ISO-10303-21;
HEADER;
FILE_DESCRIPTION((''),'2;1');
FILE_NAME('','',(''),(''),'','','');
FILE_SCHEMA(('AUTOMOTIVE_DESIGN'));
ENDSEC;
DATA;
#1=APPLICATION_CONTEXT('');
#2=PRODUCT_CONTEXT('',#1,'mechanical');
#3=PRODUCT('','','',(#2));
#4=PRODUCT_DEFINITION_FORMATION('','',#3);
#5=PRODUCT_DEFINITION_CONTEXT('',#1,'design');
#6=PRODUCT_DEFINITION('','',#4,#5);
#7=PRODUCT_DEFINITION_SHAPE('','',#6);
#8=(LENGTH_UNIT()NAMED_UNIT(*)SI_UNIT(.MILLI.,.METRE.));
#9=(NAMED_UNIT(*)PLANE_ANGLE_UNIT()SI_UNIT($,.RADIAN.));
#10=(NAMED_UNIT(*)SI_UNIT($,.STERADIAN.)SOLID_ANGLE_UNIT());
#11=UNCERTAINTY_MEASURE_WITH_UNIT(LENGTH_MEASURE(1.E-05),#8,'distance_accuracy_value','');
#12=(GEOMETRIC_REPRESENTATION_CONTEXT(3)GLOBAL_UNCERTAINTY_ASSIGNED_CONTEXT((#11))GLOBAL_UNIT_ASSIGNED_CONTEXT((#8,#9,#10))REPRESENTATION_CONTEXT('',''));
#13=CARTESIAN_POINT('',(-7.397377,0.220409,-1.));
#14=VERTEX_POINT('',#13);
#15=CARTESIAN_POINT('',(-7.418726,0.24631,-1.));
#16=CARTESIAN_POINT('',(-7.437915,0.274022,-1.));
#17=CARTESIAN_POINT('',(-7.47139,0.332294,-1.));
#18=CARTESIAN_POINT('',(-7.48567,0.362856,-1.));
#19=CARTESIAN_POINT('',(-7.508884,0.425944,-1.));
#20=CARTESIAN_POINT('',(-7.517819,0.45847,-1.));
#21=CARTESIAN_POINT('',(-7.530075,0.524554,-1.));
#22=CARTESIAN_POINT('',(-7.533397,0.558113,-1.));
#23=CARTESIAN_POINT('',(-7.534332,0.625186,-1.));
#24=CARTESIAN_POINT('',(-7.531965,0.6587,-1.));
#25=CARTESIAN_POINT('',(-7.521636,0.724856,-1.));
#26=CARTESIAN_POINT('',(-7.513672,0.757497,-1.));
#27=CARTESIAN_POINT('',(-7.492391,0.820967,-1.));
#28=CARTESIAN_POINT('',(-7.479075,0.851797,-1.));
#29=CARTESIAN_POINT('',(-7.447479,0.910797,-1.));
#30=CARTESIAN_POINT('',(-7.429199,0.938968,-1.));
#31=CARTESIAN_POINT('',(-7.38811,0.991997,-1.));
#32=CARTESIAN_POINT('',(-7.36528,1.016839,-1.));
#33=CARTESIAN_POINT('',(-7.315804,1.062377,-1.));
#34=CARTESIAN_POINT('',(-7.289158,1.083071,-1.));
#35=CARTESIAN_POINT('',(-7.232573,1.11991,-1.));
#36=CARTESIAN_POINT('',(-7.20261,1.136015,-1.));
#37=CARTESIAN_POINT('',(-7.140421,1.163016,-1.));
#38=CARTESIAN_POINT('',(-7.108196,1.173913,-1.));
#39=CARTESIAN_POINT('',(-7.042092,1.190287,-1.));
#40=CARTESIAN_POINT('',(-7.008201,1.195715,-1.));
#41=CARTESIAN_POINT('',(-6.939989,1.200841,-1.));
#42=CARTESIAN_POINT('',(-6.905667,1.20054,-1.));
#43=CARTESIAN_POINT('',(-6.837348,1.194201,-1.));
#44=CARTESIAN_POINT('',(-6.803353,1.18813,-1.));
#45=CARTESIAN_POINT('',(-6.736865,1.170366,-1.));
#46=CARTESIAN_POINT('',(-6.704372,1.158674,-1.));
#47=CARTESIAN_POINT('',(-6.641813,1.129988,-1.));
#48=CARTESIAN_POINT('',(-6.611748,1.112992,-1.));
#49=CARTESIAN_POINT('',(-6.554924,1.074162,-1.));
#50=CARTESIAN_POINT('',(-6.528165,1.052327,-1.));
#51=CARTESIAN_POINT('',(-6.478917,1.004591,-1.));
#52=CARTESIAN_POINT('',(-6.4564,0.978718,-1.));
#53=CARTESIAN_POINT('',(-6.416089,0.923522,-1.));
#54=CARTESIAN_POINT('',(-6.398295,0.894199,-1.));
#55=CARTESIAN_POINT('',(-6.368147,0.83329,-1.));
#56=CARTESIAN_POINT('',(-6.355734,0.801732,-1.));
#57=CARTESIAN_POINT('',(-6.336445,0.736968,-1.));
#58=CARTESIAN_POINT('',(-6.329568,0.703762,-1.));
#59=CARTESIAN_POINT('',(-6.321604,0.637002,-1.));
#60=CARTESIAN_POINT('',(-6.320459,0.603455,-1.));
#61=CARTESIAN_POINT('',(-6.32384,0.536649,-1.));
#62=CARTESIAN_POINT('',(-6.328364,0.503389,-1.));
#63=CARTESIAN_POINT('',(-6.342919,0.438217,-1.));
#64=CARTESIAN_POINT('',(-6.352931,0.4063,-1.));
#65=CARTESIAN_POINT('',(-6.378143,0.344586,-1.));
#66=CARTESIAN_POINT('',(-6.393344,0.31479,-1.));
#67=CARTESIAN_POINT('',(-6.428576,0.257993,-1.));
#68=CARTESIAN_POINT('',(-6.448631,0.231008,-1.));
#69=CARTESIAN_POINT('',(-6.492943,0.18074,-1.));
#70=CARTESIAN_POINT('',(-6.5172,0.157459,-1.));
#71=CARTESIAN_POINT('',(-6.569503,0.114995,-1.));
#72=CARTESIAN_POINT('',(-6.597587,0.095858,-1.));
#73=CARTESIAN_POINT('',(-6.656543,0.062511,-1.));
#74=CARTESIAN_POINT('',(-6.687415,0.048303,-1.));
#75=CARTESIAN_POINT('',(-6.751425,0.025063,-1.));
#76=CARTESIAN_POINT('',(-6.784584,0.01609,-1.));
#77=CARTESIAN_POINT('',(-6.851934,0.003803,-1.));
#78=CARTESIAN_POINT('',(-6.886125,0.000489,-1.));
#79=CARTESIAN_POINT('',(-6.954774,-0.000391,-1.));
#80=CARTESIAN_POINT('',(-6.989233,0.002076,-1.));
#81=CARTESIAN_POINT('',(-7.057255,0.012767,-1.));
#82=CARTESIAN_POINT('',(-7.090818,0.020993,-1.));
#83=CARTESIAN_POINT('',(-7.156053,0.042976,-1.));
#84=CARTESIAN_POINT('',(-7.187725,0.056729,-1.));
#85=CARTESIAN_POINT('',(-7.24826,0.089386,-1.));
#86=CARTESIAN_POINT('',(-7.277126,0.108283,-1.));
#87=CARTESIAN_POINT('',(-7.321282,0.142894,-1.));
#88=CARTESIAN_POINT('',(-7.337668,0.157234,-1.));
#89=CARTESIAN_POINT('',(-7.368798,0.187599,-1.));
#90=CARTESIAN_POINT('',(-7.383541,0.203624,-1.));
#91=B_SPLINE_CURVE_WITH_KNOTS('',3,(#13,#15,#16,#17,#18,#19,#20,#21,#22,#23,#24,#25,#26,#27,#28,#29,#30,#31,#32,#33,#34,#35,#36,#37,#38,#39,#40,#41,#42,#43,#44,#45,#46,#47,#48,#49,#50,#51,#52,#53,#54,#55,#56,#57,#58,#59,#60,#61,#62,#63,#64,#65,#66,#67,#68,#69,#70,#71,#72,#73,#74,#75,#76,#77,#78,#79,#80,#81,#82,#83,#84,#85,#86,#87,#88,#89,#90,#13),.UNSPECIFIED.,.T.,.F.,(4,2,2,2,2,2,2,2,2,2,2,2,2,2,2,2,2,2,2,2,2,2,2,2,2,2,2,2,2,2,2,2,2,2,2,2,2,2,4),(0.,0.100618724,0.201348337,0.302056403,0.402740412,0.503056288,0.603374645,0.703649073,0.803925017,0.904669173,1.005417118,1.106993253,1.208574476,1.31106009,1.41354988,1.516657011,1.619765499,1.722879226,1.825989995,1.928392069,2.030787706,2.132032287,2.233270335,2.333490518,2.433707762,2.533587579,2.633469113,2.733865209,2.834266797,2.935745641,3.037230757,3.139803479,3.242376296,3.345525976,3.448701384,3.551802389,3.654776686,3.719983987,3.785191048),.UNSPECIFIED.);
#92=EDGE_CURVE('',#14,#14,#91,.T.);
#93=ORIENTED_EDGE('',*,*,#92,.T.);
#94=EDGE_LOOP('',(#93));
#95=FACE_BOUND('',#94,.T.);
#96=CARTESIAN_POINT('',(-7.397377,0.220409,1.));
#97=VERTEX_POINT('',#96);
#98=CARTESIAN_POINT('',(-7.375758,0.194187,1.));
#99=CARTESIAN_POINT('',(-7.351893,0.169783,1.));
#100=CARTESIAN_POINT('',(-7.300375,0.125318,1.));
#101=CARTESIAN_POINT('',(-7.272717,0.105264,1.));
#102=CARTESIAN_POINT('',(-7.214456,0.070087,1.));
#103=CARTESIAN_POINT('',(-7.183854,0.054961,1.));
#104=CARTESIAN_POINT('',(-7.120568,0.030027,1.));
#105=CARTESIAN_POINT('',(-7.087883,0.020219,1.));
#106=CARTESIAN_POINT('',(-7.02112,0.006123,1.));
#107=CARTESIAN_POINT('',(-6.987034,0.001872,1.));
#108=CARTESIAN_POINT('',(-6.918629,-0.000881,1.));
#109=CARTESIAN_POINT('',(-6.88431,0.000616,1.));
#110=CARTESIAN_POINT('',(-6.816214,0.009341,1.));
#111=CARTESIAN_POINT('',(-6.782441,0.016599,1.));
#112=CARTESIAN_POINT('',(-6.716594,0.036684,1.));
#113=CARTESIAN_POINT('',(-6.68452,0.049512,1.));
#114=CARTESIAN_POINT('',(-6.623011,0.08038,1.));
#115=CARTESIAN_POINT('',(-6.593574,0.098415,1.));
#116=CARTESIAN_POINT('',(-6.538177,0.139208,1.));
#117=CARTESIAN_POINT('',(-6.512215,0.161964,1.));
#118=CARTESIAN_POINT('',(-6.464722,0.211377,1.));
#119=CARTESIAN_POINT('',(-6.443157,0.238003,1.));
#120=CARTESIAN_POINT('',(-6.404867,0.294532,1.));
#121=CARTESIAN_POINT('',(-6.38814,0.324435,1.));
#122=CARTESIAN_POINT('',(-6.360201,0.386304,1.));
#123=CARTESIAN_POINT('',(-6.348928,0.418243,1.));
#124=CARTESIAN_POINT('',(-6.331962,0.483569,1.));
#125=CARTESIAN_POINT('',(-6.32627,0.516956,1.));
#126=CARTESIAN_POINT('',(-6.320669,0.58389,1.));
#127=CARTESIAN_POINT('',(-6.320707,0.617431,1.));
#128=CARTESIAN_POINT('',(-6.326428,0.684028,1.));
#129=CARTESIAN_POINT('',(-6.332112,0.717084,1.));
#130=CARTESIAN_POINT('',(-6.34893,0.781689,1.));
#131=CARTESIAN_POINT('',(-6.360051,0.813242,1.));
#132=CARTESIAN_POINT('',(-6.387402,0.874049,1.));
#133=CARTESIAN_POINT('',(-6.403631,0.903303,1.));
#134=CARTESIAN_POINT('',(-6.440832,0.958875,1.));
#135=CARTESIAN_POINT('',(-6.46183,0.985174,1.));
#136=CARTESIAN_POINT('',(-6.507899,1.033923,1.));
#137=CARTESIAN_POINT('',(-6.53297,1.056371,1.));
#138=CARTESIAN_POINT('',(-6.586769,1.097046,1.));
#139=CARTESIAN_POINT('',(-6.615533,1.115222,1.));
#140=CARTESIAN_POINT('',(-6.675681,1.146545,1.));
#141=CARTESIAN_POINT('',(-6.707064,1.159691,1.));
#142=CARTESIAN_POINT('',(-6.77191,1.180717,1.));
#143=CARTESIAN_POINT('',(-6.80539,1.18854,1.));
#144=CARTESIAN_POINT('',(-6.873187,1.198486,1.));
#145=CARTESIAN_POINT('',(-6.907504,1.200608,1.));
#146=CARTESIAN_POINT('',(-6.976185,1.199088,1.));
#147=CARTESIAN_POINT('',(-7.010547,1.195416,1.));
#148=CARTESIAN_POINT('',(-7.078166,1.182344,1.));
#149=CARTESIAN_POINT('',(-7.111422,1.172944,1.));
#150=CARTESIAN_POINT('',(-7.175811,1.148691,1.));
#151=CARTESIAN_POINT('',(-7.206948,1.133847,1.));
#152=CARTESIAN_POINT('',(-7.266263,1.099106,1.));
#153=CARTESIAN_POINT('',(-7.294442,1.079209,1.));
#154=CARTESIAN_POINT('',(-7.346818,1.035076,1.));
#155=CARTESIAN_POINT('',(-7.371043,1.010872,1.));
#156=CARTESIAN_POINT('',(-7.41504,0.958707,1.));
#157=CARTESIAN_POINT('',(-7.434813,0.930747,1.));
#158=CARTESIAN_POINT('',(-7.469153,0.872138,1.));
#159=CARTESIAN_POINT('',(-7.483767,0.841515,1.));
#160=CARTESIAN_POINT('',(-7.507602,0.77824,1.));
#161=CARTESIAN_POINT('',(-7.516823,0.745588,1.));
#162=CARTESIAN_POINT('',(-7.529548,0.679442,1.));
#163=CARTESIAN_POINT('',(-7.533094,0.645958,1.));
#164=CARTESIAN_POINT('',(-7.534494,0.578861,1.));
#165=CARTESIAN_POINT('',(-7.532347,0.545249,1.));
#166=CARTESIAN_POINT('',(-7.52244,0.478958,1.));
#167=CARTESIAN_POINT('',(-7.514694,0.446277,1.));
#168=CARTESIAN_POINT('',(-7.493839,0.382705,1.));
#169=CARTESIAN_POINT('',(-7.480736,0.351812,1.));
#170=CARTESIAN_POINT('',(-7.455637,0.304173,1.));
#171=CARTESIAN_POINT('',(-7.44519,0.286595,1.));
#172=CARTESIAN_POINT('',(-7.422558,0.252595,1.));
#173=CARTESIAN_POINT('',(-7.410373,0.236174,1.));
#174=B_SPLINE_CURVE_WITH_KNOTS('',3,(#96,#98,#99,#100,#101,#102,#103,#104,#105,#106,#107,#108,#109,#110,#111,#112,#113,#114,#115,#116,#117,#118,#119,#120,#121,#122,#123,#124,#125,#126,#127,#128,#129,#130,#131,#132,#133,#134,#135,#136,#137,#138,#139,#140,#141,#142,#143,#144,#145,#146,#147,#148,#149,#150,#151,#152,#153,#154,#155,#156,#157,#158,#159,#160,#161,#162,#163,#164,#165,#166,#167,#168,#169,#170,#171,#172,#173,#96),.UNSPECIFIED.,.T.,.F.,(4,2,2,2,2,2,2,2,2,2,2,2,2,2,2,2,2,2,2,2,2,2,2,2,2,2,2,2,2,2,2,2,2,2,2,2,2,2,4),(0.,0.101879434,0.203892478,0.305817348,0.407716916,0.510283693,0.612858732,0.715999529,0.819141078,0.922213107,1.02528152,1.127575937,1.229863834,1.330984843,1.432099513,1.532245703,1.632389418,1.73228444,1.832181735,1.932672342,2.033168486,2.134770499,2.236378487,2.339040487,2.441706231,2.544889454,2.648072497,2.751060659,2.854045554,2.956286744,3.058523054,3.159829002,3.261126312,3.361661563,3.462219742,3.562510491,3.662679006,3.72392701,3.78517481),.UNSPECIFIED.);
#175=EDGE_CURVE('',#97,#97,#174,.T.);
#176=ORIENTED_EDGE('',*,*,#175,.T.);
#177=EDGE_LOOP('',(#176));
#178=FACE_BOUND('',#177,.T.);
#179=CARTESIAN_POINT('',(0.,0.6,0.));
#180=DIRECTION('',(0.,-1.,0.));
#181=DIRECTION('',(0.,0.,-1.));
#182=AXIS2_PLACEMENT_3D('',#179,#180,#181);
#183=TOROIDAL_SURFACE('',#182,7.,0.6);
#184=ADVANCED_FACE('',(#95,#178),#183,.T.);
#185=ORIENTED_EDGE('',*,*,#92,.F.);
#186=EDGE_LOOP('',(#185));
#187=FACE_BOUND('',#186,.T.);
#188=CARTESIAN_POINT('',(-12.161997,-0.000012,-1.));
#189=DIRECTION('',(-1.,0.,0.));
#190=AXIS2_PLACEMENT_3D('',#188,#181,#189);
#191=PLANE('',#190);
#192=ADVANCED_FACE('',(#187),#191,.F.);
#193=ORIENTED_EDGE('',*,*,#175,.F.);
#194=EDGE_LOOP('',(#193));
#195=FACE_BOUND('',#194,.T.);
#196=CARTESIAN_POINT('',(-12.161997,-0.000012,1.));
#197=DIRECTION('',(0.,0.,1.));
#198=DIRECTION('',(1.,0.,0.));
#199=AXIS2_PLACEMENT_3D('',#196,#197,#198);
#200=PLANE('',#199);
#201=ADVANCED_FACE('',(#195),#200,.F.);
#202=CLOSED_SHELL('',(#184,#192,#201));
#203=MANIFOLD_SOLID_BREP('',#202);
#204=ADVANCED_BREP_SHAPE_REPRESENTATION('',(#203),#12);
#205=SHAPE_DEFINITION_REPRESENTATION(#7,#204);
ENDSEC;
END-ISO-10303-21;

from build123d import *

# Parameters (mm, degrees)
SKETCH_1_R               = 0.6
CUT_EXTRUDE_1_DEPTH      = 11.814804819
CUT_EXTRUDE_1_DEPTH_BACK = 11.814804819
SKETCH_2_W               = 9.354768312
SKETCH_2_H               = 2


with BuildPart() as part:
    # Эскиз1 → Повернуть1 (revolve)
    with BuildSketch(Plane.XY, mode=Mode.PRIVATE) as revolve_1_sk:
        with Locations((-7, 0.6)):
            Circle(SKETCH_1_R)
    revolve(revolve_1_sk.sketch.rotate(Axis((0, 0, 0), (0, 1, 0)), 270), axis=Axis((0, 0, 0), (0, 1, 0)))

    # Эскиз2 → Вырез-Вытянуть1 (cut, two sides: drawn at the far end of the back side and taken through both)
    with BuildSketch(Plane(origin=(0, 0, 0), x_dir=(1, 0, 0), z_dir=(0, 1, 0)).offset(-CUT_EXTRUDE_1_DEPTH_BACK)):
        with Locations((-7.484613341, 0)):
            Rectangle(SKETCH_2_W, SKETCH_2_H)
    extrude(amount=CUT_EXTRUDE_1_DEPTH + CUT_EXTRUDE_1_DEPTH_BACK, mode=Mode.SUBTRACT)


solid = part.part
